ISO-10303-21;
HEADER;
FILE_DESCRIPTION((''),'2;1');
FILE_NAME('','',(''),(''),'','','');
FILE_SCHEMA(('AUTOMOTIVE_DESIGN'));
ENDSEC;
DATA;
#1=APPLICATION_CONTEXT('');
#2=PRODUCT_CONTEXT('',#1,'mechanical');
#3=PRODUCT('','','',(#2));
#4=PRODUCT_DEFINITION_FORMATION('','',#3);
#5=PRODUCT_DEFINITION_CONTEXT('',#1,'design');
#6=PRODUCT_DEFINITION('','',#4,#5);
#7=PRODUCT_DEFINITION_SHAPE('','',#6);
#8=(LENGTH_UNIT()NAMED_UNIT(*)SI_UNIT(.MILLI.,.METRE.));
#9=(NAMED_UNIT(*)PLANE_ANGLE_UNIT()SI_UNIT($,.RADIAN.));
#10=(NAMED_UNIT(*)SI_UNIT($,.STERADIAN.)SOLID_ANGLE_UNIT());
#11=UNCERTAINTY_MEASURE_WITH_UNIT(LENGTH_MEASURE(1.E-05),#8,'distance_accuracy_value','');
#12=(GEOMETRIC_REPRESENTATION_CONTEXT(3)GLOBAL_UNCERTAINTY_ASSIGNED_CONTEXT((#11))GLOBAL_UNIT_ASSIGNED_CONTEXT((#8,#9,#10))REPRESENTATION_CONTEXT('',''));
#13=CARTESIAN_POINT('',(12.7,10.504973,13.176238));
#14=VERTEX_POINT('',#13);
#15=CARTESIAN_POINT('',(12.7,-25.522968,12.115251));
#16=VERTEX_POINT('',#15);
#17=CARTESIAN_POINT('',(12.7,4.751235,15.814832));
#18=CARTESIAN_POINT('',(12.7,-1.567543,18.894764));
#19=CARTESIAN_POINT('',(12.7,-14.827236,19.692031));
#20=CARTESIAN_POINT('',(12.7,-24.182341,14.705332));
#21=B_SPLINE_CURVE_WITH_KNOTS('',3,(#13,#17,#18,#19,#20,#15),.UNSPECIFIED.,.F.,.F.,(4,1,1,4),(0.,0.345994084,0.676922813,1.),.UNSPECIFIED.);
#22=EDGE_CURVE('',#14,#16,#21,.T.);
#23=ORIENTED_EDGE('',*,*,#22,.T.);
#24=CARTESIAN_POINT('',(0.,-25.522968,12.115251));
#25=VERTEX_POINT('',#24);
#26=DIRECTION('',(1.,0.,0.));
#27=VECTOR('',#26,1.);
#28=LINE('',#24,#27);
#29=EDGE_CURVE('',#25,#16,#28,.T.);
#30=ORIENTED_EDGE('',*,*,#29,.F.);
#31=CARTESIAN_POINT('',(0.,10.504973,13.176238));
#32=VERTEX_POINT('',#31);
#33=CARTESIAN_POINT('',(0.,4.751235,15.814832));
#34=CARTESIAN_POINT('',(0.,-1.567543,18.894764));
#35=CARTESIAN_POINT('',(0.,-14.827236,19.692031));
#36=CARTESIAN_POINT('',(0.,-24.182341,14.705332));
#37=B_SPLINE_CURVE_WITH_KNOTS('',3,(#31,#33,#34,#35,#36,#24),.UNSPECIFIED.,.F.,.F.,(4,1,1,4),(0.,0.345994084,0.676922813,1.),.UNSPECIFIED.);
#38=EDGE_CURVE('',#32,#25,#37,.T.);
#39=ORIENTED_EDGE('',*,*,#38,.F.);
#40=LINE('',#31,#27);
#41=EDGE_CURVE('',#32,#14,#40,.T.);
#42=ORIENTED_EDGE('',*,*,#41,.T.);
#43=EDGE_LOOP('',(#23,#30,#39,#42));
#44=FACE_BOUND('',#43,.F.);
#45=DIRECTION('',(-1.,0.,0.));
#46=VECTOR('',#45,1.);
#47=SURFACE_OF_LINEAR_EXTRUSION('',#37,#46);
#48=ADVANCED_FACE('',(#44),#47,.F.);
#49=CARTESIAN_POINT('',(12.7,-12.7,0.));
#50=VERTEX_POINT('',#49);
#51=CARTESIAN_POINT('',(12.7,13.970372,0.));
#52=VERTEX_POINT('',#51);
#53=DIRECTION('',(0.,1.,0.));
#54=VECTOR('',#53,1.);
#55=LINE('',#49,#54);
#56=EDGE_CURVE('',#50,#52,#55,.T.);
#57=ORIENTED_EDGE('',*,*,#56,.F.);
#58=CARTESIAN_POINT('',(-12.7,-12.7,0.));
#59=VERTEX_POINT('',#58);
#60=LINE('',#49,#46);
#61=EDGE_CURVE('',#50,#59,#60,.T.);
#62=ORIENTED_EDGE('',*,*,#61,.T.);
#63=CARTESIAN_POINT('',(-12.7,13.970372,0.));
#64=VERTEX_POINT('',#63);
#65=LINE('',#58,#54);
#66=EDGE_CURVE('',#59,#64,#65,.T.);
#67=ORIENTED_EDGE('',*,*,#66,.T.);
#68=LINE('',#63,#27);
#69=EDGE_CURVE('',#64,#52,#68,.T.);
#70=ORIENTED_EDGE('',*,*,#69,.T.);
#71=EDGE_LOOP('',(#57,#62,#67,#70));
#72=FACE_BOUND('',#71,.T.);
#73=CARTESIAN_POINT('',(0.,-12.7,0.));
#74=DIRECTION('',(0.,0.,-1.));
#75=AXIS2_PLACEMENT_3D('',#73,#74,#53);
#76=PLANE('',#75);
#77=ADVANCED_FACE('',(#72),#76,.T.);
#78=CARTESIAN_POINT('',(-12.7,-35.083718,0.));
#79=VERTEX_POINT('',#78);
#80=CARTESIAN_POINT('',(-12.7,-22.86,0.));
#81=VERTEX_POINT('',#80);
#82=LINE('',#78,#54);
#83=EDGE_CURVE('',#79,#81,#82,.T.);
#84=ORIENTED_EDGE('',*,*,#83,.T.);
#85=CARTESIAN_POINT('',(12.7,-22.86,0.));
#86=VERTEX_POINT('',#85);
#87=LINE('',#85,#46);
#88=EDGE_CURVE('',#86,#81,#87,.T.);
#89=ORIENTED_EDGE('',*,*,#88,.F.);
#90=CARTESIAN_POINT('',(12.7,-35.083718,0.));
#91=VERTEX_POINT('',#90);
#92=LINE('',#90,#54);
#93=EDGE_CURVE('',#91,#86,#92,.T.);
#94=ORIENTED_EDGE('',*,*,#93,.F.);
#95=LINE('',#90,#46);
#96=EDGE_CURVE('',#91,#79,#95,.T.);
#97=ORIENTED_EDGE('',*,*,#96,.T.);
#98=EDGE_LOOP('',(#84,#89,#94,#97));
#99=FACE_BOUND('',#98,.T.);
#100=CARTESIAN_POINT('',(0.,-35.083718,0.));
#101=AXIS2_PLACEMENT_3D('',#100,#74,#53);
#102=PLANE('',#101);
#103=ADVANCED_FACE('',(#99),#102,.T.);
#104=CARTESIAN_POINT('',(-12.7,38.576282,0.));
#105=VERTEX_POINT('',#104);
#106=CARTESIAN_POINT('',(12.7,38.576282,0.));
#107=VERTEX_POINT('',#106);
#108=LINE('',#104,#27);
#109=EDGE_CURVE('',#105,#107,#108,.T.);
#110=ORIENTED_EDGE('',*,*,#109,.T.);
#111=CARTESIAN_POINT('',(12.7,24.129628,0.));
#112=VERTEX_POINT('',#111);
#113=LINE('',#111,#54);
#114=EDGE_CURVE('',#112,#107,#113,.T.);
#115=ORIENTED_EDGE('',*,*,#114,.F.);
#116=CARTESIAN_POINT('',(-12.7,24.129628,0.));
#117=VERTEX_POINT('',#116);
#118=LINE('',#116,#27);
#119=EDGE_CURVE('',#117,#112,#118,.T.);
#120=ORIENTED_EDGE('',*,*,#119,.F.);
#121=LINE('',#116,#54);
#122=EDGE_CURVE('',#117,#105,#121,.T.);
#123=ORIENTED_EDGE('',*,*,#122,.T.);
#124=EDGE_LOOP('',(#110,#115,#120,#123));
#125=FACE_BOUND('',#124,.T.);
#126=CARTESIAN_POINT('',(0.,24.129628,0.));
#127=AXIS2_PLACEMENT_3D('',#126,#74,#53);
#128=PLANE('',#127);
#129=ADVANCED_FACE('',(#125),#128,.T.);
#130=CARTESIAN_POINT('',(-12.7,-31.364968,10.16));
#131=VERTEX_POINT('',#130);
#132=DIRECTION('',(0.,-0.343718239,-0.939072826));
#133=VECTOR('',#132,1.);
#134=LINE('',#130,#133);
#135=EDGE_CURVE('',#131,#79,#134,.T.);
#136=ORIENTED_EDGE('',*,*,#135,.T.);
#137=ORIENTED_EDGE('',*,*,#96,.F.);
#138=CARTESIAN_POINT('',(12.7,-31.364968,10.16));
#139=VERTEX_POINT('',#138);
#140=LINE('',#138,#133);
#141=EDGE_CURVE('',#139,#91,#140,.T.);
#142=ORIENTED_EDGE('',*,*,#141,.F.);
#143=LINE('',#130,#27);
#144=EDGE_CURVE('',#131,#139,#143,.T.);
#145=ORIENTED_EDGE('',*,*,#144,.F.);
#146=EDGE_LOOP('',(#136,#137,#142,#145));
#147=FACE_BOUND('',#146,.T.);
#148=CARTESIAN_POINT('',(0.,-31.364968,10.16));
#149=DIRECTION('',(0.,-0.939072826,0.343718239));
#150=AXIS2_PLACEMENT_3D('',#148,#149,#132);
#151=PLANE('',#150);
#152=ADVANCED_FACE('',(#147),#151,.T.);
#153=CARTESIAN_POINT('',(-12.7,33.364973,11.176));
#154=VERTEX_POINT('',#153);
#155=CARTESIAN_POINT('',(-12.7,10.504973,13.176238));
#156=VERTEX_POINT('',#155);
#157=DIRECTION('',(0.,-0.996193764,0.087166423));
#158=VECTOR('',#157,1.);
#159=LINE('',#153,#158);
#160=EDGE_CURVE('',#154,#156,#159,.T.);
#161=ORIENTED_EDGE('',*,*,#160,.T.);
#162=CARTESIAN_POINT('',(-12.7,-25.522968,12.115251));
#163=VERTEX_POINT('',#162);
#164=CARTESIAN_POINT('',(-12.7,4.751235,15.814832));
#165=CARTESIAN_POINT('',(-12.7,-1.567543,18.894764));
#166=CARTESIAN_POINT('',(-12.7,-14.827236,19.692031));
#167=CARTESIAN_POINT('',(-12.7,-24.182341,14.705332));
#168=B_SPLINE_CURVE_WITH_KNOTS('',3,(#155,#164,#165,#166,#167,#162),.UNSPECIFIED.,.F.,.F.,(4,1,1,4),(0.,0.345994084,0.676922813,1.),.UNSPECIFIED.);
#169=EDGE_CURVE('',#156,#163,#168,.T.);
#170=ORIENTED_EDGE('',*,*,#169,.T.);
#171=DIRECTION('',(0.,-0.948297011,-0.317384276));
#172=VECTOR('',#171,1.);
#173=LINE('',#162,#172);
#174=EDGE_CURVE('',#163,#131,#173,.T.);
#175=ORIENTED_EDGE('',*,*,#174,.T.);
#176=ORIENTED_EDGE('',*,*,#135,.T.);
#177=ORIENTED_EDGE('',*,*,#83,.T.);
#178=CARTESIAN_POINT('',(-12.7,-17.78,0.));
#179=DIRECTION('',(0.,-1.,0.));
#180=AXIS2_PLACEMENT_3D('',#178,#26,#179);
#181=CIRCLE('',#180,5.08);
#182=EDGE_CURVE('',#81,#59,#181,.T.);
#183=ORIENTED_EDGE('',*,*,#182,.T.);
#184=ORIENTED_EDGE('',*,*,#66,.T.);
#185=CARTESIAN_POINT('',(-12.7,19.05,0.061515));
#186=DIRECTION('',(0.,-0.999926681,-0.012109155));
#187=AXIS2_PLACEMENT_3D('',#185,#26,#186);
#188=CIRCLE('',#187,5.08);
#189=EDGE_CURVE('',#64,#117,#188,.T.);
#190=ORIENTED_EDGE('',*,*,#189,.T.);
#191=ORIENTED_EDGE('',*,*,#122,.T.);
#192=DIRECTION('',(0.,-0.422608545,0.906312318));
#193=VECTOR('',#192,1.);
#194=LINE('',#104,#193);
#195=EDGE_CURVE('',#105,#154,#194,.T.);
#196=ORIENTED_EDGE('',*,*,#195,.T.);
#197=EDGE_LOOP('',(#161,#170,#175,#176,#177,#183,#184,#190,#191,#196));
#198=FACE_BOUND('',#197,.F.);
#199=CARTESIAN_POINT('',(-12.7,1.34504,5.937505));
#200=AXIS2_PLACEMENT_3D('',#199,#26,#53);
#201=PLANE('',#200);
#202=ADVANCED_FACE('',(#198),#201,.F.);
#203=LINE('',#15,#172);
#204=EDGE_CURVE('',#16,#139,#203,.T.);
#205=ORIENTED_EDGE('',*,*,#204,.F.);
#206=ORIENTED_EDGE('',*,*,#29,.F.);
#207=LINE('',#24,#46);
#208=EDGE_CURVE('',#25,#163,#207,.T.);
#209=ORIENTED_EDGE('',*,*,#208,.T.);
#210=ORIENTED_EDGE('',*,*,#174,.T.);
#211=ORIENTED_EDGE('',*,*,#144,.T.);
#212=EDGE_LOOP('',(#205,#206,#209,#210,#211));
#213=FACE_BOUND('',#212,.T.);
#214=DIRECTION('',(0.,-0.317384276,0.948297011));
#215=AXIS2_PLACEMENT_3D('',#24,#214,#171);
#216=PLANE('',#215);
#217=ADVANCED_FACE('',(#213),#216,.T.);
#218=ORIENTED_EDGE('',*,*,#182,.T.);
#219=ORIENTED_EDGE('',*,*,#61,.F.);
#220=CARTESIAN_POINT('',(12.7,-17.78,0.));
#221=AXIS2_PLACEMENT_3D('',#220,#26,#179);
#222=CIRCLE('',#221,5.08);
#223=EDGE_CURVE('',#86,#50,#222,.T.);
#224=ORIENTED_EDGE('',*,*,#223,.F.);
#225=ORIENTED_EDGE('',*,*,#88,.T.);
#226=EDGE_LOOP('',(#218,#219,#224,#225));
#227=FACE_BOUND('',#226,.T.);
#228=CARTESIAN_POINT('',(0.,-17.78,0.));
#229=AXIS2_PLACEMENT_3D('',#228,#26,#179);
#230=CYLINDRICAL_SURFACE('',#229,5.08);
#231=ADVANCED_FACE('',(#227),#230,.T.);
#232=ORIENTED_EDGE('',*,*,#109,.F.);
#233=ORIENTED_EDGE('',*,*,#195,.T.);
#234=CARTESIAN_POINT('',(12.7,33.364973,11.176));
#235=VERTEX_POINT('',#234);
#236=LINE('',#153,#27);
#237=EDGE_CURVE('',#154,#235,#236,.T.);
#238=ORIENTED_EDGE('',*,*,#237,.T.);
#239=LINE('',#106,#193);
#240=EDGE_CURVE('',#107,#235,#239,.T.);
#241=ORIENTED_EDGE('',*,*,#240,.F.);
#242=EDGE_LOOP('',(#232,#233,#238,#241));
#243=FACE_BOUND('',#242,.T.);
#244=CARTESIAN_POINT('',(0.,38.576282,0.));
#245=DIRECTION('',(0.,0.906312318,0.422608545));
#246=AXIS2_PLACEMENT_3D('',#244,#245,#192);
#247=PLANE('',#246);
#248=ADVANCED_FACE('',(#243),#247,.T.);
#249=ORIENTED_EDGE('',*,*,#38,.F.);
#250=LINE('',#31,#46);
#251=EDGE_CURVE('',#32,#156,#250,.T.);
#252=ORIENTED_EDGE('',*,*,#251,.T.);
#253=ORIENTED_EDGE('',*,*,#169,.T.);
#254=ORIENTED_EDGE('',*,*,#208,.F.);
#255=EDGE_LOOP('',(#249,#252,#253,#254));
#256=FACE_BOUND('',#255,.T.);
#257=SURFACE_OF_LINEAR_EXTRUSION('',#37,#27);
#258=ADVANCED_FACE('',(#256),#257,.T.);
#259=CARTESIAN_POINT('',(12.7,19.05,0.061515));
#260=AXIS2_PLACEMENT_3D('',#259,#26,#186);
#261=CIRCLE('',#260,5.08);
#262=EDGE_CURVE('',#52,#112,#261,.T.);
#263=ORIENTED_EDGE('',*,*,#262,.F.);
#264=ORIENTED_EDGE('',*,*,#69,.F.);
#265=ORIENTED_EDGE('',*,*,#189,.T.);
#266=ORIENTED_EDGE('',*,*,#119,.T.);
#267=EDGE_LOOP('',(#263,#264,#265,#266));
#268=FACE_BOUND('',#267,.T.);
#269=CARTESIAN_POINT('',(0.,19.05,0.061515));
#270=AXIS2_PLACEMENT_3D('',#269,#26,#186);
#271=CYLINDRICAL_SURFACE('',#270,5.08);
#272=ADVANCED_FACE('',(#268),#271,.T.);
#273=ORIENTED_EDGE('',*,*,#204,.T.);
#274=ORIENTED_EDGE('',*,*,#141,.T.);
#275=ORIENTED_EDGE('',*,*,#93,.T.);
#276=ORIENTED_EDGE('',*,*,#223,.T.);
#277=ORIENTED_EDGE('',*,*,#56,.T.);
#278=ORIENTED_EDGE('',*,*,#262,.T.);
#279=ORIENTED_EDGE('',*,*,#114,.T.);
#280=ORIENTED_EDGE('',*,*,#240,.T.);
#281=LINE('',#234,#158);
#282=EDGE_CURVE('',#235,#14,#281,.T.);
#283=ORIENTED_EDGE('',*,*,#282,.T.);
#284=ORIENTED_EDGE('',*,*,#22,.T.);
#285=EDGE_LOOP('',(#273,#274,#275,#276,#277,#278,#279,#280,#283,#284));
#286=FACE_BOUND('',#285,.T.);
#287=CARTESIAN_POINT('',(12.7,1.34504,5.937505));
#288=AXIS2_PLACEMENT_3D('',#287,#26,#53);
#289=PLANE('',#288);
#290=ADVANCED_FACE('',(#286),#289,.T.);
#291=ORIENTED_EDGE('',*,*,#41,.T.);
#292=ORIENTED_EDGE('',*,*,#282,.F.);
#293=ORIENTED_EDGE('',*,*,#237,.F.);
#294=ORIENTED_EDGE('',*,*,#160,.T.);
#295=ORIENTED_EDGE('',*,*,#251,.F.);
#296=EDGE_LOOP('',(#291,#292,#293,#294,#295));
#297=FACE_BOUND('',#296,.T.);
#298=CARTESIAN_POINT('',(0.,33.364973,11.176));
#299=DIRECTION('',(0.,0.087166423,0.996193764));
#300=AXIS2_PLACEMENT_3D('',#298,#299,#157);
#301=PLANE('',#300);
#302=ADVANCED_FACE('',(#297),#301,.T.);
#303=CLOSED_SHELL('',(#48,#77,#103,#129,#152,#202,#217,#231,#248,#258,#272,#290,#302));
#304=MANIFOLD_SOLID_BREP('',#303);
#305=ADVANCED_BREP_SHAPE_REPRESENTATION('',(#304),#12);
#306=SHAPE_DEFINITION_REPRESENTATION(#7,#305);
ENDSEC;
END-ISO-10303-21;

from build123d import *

# Parameters (mm, degrees)
F1_DEPTH = 12.7


with BuildPart() as f1:
    # F0 (on Right) → F1 (new body, symmetric)
    with BuildSketch(Plane.YZ):
        with BuildLine():
            Line((-12.7, 0), (13.970372458, 0))
            ThreePointArc((13.970372458, 0), (19.05, -5.0184854941), (24.129627542, 0))
            Line((24.129627542, 0), (38.5762815729, 0))
            Line((38.5762815729, 0), (33.3649730594, 11.176))
            Line((33.3649730594, 11.176), (10.5049730594, 13.176237812))
            add(Edge.make_bspline(
                [(10.5049730594, 13.176237812), (4.7512349842, 15.814831548), (-1.5675428283, 18.8947644797), (-14.8272359514, 19.6920310003), (-24.1823406712, 14.7053320677), (-25.5229681694, 12.1152512729)],
                knots=[0, 0, 0, 0, 0.3459940836, 0.6769228133, 1, 1, 1, 1], degree=3))
            Line((-25.5229681694, 12.1152512729), (-31.3649681694, 10.16))
            Line((-31.3649681694, 10.16), (-35.0837184271, 0))
            Line((-35.0837184271, 0), (-22.86, 0))
            ThreePointArc((-22.86, 0), (-17.78, -5.08), (-12.7, 0))
        make_face()
    extrude(amount=F1_DEPTH, both=True)


solid = f1.part
